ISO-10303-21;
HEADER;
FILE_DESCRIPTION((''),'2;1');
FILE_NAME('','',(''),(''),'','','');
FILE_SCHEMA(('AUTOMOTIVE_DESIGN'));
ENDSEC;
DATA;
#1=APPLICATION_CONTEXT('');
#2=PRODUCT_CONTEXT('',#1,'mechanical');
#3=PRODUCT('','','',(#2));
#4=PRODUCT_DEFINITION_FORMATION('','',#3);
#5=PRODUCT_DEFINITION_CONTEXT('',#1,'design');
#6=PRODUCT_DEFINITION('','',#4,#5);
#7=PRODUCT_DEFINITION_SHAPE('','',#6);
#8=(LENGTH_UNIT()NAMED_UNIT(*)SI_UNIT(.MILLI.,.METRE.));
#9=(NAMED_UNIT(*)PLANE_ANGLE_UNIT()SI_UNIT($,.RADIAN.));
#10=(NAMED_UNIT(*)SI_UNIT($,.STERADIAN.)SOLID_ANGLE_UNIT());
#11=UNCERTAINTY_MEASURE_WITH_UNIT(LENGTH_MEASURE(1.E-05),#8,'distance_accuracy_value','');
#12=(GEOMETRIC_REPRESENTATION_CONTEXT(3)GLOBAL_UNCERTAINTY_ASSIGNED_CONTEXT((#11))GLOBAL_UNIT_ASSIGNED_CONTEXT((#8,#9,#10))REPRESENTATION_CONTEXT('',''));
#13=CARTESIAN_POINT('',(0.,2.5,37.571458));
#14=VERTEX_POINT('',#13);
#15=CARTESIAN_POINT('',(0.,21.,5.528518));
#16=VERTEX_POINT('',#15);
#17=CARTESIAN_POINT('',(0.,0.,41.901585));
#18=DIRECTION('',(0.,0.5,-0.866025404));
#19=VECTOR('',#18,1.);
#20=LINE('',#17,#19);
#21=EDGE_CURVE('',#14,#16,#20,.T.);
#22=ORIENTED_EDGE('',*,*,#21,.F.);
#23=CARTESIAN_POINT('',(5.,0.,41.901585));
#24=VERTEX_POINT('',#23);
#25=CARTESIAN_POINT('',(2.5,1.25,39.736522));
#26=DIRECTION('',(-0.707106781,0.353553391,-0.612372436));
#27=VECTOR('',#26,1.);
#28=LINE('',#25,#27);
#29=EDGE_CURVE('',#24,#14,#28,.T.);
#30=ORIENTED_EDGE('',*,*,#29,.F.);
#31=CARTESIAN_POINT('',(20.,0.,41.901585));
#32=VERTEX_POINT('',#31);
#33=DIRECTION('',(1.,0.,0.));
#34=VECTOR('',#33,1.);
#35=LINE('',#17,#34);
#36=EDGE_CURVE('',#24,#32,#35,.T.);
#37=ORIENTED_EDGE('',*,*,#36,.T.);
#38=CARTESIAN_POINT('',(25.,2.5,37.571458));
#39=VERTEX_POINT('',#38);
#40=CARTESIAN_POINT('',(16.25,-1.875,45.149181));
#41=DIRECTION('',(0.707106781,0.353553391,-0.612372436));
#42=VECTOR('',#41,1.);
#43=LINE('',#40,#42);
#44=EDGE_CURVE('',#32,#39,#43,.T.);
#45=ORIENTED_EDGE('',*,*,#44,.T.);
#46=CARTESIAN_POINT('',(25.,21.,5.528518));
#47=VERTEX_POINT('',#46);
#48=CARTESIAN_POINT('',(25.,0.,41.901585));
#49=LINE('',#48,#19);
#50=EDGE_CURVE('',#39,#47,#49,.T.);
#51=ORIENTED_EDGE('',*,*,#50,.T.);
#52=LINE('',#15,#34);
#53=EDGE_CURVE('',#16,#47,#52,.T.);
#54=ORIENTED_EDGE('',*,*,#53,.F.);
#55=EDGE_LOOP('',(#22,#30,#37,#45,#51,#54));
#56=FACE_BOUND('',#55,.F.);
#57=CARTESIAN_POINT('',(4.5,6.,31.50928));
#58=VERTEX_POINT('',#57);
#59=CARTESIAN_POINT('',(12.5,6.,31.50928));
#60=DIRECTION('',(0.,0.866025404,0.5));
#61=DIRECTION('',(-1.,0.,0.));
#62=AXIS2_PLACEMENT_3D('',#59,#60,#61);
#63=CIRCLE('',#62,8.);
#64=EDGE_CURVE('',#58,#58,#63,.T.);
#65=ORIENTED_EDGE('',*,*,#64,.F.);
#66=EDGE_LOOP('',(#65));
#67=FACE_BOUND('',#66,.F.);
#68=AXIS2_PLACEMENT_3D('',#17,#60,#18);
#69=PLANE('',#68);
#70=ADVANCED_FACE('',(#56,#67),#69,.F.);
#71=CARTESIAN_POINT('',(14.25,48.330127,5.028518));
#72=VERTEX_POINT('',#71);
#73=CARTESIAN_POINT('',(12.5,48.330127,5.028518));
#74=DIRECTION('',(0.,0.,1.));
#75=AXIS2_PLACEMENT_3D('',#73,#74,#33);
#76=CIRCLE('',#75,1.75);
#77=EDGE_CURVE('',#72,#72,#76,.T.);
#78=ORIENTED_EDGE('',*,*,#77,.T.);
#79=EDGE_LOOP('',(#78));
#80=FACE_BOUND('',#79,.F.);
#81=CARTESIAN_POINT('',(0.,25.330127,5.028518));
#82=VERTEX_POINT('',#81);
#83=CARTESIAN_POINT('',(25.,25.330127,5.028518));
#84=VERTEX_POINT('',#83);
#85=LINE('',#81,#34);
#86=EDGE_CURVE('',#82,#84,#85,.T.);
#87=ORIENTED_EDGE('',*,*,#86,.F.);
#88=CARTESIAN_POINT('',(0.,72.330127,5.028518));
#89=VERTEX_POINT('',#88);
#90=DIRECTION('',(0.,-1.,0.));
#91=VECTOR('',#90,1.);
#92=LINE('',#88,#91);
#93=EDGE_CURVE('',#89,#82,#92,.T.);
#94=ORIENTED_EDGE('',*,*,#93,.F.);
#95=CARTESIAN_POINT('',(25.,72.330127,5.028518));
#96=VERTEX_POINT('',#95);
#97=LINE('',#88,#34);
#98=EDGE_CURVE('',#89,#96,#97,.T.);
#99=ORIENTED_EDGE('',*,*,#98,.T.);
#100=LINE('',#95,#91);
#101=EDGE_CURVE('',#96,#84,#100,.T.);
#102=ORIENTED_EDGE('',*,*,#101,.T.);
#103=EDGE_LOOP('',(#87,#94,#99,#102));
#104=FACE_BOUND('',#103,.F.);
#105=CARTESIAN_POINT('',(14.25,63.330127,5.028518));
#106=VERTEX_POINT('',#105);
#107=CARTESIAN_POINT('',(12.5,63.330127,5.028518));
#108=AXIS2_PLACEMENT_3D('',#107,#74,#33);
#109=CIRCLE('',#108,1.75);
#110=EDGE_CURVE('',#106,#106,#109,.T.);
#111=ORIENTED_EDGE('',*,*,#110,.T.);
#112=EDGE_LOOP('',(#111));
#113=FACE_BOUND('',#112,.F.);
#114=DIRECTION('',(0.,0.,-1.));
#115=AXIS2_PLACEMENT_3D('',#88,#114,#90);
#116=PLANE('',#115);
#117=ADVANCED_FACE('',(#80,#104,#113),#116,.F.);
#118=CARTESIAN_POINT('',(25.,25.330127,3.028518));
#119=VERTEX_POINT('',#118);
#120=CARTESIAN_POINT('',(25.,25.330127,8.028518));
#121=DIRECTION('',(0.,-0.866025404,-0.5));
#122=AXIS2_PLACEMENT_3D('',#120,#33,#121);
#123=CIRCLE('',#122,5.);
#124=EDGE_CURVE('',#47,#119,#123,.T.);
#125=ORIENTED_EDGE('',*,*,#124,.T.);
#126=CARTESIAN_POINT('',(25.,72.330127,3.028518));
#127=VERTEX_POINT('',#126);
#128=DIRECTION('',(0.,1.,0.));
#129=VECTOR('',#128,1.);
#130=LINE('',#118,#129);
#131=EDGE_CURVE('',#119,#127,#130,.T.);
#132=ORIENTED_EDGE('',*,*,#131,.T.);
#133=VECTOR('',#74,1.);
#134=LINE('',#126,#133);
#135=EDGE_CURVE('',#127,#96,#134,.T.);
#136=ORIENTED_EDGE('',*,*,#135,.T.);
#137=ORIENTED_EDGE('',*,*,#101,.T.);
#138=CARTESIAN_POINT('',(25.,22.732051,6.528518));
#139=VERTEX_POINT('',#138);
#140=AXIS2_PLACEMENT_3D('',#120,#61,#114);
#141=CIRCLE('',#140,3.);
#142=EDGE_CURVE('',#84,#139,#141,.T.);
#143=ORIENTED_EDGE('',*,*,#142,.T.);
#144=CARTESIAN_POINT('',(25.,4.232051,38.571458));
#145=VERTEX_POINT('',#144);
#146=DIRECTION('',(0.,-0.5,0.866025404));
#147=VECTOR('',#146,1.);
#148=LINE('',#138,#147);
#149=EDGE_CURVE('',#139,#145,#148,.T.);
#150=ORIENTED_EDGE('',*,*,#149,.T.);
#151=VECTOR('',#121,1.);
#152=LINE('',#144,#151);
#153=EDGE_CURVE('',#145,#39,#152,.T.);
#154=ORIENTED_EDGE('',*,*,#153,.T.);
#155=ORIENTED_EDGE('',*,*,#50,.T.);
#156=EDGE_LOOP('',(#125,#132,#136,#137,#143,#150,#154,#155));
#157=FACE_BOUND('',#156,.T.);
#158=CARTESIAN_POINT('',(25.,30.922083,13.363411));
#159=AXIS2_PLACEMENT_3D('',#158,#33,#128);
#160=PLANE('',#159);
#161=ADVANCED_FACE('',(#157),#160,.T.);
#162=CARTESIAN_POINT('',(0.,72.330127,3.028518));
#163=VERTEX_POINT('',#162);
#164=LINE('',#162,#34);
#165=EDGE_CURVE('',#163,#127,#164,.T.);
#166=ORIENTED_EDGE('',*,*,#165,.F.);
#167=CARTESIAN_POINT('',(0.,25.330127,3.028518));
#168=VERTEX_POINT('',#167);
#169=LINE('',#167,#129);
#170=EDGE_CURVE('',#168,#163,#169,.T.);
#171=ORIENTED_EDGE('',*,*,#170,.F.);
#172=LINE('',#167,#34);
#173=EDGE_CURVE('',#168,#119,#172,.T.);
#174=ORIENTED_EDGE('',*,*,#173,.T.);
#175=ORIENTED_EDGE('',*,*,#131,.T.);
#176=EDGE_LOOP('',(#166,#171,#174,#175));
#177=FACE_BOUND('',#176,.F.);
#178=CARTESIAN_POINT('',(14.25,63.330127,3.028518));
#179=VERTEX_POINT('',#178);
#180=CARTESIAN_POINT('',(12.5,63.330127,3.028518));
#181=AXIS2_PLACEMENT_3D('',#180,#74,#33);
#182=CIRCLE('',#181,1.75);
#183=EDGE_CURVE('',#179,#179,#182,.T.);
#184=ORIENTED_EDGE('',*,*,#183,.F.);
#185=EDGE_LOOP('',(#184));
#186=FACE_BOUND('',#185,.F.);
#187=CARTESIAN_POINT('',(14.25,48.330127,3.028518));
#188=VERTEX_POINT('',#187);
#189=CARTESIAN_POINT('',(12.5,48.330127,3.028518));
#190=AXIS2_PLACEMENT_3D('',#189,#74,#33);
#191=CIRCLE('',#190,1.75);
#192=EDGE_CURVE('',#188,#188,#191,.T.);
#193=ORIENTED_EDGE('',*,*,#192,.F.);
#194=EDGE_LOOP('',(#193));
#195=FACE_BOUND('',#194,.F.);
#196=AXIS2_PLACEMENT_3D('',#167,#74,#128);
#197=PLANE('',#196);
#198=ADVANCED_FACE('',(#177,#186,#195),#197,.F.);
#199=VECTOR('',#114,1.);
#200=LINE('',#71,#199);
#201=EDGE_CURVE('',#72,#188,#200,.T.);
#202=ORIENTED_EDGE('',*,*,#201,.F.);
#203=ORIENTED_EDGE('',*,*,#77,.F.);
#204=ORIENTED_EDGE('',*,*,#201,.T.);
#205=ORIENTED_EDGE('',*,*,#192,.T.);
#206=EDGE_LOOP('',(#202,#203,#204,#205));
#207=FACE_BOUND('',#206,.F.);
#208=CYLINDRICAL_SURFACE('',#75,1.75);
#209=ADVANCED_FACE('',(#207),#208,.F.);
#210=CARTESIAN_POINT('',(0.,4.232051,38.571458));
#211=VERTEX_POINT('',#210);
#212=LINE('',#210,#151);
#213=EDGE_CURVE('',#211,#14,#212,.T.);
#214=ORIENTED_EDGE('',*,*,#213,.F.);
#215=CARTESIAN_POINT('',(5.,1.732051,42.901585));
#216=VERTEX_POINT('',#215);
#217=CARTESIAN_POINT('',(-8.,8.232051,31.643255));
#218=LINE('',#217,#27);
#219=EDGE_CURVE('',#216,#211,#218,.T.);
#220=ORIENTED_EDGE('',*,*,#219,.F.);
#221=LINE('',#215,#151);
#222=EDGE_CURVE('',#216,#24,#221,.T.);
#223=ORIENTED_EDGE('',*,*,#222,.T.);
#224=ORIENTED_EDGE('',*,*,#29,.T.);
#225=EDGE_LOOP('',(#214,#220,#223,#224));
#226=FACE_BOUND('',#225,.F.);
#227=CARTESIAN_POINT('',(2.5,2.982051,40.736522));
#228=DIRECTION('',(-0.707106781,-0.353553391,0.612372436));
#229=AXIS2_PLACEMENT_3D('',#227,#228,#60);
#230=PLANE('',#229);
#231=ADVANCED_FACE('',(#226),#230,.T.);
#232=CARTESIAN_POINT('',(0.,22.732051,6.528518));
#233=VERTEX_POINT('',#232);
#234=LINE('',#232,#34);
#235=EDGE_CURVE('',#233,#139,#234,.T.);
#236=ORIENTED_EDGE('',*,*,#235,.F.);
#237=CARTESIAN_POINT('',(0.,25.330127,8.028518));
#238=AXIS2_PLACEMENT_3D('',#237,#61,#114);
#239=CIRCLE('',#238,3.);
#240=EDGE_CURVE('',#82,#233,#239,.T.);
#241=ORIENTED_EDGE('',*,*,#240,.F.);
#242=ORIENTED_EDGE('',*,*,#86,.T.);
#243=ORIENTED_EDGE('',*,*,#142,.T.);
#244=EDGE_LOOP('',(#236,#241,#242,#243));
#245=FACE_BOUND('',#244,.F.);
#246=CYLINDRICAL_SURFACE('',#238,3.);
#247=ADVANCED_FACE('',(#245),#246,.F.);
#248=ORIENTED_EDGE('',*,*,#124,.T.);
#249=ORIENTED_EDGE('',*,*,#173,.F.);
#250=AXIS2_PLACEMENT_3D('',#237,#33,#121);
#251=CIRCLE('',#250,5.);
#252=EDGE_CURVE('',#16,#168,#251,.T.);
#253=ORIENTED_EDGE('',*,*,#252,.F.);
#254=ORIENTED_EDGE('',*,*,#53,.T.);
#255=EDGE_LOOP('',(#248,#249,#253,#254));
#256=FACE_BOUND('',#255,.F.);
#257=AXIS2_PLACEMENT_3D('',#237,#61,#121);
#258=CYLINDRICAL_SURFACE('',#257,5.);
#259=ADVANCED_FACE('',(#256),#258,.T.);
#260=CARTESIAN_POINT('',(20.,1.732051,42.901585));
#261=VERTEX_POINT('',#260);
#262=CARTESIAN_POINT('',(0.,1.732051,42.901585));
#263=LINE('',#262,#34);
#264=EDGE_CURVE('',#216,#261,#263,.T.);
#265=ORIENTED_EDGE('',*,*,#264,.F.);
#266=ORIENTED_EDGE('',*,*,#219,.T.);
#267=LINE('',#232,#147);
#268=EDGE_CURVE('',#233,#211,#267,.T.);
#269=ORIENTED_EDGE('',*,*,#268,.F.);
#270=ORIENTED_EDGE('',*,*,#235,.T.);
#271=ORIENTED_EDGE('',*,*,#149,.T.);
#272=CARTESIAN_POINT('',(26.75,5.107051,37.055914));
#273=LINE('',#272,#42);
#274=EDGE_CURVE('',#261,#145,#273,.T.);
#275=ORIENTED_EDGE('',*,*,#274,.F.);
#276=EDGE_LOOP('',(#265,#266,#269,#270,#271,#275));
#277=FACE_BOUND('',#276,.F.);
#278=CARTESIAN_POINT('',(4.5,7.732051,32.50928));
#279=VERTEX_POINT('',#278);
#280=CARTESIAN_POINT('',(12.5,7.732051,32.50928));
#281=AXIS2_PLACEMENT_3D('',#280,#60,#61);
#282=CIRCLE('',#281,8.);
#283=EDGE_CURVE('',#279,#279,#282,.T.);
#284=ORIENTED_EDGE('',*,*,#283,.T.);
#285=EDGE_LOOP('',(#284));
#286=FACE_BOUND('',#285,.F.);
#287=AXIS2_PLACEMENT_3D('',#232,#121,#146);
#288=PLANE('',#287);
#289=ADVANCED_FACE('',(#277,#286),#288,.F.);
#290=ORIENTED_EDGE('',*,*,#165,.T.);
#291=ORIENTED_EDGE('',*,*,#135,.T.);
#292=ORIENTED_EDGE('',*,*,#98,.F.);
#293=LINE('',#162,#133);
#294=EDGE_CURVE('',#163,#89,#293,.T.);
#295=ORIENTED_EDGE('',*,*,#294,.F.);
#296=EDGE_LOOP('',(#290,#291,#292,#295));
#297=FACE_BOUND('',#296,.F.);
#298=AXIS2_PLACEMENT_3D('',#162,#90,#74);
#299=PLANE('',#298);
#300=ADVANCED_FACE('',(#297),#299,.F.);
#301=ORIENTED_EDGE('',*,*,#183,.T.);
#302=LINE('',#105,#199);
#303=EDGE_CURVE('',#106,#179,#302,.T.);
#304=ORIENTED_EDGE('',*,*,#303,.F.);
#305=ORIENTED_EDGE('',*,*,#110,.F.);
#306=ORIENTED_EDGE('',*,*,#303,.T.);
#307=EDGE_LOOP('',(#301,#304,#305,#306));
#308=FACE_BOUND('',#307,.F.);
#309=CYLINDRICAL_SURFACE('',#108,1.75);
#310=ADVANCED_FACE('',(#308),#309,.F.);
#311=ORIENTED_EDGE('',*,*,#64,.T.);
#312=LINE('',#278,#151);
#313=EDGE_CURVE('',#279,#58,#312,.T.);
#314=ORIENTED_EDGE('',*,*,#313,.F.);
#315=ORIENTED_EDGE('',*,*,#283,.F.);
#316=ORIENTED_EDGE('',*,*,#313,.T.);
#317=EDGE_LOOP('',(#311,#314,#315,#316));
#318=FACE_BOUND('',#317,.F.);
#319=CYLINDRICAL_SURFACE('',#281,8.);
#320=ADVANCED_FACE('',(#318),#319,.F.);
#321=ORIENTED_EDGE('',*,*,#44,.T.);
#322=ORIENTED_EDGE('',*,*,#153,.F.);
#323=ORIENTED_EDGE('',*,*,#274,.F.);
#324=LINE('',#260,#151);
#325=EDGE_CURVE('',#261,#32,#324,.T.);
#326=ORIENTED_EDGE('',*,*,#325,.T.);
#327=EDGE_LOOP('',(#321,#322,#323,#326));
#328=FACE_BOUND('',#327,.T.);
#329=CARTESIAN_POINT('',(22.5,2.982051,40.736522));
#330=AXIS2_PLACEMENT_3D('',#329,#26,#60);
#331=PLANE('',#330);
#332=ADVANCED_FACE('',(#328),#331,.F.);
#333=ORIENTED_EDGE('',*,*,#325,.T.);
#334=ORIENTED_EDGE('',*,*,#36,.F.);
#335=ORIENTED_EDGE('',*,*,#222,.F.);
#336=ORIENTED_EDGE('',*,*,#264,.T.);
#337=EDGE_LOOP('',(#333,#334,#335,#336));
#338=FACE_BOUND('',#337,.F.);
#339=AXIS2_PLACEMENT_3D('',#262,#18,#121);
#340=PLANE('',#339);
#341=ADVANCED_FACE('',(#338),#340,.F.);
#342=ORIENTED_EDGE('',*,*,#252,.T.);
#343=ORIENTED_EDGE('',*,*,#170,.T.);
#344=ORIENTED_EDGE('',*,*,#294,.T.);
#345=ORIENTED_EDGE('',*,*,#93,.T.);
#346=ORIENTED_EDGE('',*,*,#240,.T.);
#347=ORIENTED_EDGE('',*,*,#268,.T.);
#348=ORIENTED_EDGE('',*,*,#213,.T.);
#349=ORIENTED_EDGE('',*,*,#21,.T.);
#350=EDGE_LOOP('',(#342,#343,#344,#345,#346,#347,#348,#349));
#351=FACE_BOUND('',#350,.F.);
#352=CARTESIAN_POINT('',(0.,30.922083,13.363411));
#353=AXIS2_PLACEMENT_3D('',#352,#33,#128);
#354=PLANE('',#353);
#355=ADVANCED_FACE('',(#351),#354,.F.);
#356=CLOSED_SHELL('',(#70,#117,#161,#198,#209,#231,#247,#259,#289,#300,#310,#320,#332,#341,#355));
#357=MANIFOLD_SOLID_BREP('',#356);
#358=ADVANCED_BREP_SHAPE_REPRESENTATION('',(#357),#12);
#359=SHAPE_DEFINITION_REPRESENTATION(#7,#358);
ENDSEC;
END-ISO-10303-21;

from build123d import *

# Parameters (mm, degrees)
F1_DEPTH = 25
F2_R     = 8
F3_DEPTH = 25
F4_SIZE  = 5
F5_R     = 1.75
F6_DEPTH = 25


with BuildPart() as f1:
    # F0 (on Right) → F1 (new body)
    with BuildSketch(Plane.YZ):
        with BuildLine():
            Line((1.7320508076, 42.9015853287), (0, 41.9015853287))
            Line((0, 41.9015853287), (21, 5.5285183697))
            ThreePointArc((21, 5.5285183697), (22.8301270189, 3.6983913508), (25.3301270189, 3.0285183697))
            Line((25.3301270189, 3.0285183697), (72.3301270189, 3.0285183697))
            Line((72.3301270189, 3.0285183697), (72.3301270189, 5.0285183697))
            Line((72.3301270189, 5.0285183697), (25.3301270189, 5.0285183697))
            ThreePointArc((25.3301270189, 5.0285183697), (23.8301270189, 5.4304421584), (22.7320508076, 6.5285183697))
            Line((22.7320508076, 6.5285183697), (1.7320508076, 42.9015853287))
        make_face()
    extrude(amount=F1_DEPTH)

    # F2 (on face) → F3 (cut)
    with BuildSketch(Plane(origin=(0, 19.8759694843, 11.4753963322), x_dir=(-1, 0, 0), z_dir=(0, 0.8660254038, 0.5))):
        with Locations((-12.5, 24.2878373535)):
            Circle(F2_R)
    extrude(amount=-F3_DEPTH, mode=Mode.SUBTRACT)

    # F4
    f4_edges = [f1.edges().sort_by_distance(p)[0] for p in [
        (0, 0.866025, 42.401585),
        (25, 0.866025, 42.401585),
    ]]
    chamfer(f4_edges, length=F4_SIZE)

    # F5 (on face) → F6 (cut)
    with BuildSketch(Plane.XY.offset(5.0285183697)):
        with Locations((12.5, 63.3301270189)):
            Circle(F5_R)
        with Locations((12.5, 48.3301270189)):
            Circle(F5_R)
    extrude(amount=-F6_DEPTH, mode=Mode.SUBTRACT)


solid = f1.part
